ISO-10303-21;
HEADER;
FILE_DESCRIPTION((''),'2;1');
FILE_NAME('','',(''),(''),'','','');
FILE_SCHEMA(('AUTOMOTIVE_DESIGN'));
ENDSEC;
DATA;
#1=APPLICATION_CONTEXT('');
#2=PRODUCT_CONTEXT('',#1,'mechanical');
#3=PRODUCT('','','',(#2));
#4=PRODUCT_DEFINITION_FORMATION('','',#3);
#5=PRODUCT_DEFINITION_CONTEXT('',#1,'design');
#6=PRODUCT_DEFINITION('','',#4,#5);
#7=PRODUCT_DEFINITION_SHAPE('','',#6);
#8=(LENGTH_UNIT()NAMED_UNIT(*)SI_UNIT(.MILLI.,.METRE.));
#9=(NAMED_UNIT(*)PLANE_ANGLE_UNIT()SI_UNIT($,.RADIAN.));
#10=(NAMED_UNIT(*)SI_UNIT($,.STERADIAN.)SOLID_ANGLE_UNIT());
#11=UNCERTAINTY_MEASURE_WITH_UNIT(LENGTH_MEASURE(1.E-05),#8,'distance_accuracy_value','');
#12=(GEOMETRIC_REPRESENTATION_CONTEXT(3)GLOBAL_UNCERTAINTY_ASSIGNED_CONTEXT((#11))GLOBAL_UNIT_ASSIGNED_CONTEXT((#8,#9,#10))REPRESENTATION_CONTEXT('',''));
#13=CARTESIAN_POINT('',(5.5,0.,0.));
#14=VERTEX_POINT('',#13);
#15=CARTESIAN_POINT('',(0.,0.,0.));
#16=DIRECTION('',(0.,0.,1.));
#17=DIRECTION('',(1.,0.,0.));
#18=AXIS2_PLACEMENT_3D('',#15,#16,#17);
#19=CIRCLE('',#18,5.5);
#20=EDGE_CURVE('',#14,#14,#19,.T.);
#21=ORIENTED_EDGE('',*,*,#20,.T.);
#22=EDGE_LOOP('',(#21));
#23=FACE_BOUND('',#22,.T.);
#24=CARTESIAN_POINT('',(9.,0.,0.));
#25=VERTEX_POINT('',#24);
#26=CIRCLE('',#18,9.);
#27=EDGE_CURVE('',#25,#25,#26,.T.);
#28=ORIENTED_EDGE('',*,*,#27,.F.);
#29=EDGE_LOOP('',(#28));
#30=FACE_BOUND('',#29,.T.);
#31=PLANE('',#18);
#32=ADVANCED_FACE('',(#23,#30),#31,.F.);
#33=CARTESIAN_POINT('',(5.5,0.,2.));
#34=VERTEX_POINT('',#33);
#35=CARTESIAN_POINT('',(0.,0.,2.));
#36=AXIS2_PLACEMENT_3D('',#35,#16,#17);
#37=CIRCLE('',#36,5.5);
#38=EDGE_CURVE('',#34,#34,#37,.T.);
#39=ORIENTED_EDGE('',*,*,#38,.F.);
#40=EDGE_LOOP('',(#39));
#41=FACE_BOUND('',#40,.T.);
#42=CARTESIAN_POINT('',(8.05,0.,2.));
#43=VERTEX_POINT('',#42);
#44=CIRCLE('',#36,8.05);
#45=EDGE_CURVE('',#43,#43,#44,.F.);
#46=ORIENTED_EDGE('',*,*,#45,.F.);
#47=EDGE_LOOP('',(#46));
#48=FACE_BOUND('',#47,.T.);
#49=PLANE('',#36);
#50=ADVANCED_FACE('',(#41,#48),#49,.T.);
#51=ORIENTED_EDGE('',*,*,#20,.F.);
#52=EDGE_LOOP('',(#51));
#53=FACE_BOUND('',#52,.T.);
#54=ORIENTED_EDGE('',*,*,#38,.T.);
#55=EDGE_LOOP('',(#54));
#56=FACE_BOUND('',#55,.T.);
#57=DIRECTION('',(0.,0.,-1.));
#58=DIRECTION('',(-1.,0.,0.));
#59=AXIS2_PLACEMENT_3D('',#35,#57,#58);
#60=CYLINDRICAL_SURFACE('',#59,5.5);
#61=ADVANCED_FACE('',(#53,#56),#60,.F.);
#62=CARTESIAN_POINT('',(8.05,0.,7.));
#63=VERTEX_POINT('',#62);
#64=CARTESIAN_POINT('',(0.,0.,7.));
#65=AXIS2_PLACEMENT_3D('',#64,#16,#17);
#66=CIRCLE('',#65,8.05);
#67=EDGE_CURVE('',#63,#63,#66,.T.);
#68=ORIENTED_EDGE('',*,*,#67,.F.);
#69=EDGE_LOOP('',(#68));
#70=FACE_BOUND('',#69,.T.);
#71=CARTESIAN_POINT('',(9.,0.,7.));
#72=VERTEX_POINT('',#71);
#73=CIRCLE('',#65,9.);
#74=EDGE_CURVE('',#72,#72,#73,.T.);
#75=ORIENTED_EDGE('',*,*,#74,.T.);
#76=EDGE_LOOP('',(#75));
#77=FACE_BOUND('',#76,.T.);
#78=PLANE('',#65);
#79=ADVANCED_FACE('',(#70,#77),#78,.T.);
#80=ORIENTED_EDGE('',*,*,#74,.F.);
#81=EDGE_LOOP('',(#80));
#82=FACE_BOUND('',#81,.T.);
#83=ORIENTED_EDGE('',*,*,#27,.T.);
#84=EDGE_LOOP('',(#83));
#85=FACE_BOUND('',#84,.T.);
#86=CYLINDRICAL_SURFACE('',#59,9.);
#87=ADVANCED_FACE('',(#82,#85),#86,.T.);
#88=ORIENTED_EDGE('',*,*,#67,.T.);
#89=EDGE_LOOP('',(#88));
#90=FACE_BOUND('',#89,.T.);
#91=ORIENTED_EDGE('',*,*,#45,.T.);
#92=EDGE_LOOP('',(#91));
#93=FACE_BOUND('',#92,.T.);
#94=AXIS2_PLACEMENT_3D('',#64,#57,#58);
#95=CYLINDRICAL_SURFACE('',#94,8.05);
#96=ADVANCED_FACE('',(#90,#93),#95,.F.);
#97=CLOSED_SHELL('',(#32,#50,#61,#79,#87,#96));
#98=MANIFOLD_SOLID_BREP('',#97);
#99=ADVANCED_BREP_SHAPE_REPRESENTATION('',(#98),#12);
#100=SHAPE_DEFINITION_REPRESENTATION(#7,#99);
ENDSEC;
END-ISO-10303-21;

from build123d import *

# Parameters (mm, degrees)
SKETCH1_R           = 9
SKETCH1_R_2         = 5.5
BOSS_EXTRUDE1_DEPTH = 2
SKETCH2_R           = 9
SKETCH2_R_2         = 8.05
BOSS_EXTRUDE2_DEPTH = 5


with BuildPart() as part:
    # Sketch1 → Boss-Extrude1 (new body)
    with BuildSketch(Plane.XY):
        Circle(SKETCH1_R)
        Circle(SKETCH1_R_2, mode=Mode.SUBTRACT)
    extrude(amount=BOSS_EXTRUDE1_DEPTH)

    # Sketch2 → Boss-Extrude2 (add)
    with BuildSketch(Plane.XY.offset(2)):
        Circle(SKETCH2_R)
        Circle(SKETCH2_R_2, mode=Mode.SUBTRACT)
    extrude(amount=BOSS_EXTRUDE2_DEPTH)


solid = part.part
